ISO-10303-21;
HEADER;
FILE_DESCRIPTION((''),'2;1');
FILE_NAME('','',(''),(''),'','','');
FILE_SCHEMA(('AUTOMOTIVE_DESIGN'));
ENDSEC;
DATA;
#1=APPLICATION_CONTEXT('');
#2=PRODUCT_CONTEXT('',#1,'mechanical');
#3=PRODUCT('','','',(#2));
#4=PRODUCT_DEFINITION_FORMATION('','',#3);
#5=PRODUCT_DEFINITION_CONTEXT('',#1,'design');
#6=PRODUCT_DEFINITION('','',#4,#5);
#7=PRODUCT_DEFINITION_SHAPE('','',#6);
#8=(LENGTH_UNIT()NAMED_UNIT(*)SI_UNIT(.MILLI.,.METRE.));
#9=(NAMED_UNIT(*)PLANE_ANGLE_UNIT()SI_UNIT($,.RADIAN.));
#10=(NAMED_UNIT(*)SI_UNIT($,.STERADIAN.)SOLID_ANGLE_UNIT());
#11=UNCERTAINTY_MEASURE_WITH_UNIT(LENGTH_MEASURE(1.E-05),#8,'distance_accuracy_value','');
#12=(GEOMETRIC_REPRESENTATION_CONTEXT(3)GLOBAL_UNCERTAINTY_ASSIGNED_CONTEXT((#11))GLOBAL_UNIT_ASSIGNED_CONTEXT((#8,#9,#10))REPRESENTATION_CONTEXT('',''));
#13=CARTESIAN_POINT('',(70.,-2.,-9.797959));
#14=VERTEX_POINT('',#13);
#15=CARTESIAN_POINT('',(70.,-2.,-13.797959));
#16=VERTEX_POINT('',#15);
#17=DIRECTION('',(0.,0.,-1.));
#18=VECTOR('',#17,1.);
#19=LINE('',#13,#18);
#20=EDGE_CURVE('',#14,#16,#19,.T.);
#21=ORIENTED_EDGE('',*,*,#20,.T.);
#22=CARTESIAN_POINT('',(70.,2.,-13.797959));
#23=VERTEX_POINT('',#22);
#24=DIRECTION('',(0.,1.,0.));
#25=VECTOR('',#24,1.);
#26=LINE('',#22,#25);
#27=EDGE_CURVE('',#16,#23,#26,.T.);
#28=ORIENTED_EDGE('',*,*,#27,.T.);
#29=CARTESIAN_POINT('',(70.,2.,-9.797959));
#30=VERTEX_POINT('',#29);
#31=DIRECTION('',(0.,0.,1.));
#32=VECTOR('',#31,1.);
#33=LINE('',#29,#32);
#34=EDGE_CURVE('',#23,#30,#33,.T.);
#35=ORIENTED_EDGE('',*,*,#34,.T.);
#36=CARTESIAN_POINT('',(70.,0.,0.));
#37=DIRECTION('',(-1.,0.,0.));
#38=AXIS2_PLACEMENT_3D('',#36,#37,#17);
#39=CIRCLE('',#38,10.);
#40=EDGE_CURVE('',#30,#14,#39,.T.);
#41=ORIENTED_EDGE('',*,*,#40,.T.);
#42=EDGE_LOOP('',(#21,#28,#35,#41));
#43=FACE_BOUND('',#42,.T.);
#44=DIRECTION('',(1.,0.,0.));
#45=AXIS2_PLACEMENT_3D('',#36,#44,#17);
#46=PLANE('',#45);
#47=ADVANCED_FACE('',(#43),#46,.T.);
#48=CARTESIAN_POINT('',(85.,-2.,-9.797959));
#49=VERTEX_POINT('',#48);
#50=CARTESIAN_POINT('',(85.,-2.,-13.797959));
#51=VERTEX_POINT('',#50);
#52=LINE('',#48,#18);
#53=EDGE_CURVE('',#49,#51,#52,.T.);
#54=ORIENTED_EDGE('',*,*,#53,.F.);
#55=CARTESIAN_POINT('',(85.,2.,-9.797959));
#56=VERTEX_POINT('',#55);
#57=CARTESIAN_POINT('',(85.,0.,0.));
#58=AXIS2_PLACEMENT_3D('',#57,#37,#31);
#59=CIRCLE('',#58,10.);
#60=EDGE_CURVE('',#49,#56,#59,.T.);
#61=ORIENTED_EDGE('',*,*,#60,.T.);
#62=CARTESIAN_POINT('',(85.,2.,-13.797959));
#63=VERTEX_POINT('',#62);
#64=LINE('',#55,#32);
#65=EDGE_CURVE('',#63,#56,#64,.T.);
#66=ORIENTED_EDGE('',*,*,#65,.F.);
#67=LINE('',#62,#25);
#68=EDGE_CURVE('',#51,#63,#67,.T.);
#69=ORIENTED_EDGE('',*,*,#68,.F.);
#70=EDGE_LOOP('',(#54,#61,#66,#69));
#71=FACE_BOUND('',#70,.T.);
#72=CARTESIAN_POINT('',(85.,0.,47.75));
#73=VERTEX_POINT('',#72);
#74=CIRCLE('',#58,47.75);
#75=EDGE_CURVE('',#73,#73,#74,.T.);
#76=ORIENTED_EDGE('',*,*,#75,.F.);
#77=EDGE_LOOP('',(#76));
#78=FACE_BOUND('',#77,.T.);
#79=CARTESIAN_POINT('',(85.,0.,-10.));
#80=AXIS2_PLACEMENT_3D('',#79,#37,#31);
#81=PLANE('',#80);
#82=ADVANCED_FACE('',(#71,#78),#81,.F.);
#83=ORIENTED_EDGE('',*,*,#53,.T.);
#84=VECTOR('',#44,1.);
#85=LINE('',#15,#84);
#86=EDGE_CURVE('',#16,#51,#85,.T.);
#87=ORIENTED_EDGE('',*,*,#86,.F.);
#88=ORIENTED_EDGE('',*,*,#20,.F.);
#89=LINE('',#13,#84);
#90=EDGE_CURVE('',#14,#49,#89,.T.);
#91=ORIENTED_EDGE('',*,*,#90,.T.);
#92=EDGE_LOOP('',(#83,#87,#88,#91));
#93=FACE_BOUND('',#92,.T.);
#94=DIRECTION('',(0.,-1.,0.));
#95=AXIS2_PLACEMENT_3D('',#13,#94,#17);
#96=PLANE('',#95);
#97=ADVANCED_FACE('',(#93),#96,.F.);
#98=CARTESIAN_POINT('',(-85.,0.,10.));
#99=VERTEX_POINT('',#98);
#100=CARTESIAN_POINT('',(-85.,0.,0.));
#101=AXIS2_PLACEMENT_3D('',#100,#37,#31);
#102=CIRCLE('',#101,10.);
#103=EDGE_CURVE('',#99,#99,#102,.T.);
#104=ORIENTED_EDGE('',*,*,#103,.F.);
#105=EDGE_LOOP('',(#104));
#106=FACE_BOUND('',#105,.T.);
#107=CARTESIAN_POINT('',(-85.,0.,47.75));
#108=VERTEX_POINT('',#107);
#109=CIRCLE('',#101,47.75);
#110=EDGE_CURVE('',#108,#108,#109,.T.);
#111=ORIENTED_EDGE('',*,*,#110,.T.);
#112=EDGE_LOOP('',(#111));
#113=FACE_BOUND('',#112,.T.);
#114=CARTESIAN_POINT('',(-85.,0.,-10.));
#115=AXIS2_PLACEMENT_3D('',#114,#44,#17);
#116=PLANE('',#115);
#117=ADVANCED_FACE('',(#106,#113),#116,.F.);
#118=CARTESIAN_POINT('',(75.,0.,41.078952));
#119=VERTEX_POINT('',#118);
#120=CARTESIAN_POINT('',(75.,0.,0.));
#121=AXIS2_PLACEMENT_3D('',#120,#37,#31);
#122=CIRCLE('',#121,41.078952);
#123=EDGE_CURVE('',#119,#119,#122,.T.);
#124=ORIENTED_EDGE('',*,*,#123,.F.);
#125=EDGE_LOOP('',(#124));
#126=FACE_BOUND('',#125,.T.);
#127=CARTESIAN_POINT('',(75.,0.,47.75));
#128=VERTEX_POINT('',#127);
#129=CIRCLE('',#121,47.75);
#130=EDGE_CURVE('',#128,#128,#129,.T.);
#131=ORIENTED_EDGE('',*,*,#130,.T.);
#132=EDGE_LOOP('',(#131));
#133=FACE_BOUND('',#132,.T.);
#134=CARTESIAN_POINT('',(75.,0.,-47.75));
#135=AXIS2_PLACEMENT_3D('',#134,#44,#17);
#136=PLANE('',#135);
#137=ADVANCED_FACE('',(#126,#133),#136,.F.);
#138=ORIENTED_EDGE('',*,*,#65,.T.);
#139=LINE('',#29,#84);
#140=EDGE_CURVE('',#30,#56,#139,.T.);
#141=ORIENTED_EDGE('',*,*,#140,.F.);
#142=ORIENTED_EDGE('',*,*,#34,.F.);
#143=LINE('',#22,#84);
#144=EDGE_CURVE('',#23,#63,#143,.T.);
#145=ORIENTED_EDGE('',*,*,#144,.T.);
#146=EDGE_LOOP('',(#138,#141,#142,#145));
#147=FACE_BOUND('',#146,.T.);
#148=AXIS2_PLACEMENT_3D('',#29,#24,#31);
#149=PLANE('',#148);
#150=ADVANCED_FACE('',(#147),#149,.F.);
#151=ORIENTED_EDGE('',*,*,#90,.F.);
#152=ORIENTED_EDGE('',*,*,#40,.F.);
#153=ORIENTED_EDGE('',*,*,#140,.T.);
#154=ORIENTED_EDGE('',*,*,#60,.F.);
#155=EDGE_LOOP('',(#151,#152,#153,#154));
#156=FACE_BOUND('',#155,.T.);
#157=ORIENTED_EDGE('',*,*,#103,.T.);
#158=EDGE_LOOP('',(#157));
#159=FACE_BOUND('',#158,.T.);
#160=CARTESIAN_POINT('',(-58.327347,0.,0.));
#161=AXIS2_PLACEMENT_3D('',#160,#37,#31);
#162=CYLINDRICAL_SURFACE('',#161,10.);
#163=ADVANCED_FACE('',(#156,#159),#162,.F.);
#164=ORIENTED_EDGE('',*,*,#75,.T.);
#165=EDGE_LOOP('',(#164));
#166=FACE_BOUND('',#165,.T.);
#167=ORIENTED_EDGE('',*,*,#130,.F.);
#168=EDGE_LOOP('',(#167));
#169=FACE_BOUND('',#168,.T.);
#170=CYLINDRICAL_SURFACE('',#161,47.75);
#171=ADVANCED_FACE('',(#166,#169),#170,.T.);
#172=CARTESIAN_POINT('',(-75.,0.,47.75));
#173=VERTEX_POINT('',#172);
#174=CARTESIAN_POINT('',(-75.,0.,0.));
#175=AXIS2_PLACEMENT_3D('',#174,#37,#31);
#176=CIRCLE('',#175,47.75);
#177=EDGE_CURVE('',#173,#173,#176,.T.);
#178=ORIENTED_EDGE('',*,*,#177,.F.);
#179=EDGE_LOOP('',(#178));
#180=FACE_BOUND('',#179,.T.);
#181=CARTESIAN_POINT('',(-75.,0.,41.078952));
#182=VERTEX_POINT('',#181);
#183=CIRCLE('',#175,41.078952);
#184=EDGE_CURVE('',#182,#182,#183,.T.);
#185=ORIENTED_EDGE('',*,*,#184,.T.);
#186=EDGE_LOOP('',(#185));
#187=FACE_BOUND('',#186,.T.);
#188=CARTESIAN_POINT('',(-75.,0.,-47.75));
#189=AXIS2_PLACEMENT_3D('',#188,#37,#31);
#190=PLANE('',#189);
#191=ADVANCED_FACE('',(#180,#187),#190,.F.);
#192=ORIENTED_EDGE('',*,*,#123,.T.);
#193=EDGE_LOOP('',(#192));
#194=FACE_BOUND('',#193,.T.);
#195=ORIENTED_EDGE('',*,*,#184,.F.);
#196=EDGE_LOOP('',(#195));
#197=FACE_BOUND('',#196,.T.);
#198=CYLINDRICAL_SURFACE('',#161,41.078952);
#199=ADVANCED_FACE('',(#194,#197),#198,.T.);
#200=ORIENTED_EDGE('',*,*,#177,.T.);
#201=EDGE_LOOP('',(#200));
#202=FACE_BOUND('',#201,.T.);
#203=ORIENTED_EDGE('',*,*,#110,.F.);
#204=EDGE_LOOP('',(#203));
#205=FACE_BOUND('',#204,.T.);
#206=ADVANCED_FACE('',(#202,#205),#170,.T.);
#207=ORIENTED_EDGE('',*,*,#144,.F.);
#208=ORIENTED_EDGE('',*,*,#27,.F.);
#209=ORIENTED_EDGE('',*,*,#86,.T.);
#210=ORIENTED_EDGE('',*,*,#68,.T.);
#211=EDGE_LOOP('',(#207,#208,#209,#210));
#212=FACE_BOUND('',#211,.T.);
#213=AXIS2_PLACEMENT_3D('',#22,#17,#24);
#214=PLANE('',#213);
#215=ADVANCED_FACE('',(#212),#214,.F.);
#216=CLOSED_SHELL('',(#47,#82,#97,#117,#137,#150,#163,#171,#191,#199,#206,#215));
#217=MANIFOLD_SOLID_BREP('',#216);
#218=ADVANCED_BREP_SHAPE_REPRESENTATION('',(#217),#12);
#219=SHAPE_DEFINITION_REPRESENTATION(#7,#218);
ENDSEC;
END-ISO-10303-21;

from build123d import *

# Parameters (mm, degrees)
CUT_EXTRUDE_START   = -15
CUT_EXTRUDE_1_DEPTH = 15


with BuildPart() as part:
    # 草图1 → 旋转1 (revolve)
    with BuildSketch(Plane(origin=(0, 0, 0), x_dir=(1, 0, 0), z_dir=(0, 1, 0)), mode=Mode.PRIVATE) as revolve_1_sk:
        Polygon((-85, 10), (-85, 47.75), (-75, 47.75), (-75, 41.078952229), (75, 41.078952229), (75, 47.75), (85, 47.75), (85, 10), align=None)
    revolve(revolve_1_sk.sketch.rotate(Axis((-58.327347129, 0, 0), (1, 0, 0)), 180), axis=Axis((-58.327347129, 0, 0), (1, 0, 0)))

    # 草图2 → 切除-拉伸1 (cut)
    with BuildSketch(Plane(origin=(85, 0, 0), x_dir=(0, 0, -1), z_dir=(1, 0, 0)).offset(CUT_EXTRUDE_START)):
        with BuildLine():
            Line((9.797958971, 2), (13.797958971, 2))
            Line((13.797958971, 2), (13.797958971, -2))
            Line((13.797958971, -2), (9.797958971, -2))
            ThreePointArc((9.797958971, -2), (10, 0), (9.797958971, 2))
        make_face()
    extrude(amount=CUT_EXTRUDE_1_DEPTH, mode=Mode.SUBTRACT)


solid = part.part
